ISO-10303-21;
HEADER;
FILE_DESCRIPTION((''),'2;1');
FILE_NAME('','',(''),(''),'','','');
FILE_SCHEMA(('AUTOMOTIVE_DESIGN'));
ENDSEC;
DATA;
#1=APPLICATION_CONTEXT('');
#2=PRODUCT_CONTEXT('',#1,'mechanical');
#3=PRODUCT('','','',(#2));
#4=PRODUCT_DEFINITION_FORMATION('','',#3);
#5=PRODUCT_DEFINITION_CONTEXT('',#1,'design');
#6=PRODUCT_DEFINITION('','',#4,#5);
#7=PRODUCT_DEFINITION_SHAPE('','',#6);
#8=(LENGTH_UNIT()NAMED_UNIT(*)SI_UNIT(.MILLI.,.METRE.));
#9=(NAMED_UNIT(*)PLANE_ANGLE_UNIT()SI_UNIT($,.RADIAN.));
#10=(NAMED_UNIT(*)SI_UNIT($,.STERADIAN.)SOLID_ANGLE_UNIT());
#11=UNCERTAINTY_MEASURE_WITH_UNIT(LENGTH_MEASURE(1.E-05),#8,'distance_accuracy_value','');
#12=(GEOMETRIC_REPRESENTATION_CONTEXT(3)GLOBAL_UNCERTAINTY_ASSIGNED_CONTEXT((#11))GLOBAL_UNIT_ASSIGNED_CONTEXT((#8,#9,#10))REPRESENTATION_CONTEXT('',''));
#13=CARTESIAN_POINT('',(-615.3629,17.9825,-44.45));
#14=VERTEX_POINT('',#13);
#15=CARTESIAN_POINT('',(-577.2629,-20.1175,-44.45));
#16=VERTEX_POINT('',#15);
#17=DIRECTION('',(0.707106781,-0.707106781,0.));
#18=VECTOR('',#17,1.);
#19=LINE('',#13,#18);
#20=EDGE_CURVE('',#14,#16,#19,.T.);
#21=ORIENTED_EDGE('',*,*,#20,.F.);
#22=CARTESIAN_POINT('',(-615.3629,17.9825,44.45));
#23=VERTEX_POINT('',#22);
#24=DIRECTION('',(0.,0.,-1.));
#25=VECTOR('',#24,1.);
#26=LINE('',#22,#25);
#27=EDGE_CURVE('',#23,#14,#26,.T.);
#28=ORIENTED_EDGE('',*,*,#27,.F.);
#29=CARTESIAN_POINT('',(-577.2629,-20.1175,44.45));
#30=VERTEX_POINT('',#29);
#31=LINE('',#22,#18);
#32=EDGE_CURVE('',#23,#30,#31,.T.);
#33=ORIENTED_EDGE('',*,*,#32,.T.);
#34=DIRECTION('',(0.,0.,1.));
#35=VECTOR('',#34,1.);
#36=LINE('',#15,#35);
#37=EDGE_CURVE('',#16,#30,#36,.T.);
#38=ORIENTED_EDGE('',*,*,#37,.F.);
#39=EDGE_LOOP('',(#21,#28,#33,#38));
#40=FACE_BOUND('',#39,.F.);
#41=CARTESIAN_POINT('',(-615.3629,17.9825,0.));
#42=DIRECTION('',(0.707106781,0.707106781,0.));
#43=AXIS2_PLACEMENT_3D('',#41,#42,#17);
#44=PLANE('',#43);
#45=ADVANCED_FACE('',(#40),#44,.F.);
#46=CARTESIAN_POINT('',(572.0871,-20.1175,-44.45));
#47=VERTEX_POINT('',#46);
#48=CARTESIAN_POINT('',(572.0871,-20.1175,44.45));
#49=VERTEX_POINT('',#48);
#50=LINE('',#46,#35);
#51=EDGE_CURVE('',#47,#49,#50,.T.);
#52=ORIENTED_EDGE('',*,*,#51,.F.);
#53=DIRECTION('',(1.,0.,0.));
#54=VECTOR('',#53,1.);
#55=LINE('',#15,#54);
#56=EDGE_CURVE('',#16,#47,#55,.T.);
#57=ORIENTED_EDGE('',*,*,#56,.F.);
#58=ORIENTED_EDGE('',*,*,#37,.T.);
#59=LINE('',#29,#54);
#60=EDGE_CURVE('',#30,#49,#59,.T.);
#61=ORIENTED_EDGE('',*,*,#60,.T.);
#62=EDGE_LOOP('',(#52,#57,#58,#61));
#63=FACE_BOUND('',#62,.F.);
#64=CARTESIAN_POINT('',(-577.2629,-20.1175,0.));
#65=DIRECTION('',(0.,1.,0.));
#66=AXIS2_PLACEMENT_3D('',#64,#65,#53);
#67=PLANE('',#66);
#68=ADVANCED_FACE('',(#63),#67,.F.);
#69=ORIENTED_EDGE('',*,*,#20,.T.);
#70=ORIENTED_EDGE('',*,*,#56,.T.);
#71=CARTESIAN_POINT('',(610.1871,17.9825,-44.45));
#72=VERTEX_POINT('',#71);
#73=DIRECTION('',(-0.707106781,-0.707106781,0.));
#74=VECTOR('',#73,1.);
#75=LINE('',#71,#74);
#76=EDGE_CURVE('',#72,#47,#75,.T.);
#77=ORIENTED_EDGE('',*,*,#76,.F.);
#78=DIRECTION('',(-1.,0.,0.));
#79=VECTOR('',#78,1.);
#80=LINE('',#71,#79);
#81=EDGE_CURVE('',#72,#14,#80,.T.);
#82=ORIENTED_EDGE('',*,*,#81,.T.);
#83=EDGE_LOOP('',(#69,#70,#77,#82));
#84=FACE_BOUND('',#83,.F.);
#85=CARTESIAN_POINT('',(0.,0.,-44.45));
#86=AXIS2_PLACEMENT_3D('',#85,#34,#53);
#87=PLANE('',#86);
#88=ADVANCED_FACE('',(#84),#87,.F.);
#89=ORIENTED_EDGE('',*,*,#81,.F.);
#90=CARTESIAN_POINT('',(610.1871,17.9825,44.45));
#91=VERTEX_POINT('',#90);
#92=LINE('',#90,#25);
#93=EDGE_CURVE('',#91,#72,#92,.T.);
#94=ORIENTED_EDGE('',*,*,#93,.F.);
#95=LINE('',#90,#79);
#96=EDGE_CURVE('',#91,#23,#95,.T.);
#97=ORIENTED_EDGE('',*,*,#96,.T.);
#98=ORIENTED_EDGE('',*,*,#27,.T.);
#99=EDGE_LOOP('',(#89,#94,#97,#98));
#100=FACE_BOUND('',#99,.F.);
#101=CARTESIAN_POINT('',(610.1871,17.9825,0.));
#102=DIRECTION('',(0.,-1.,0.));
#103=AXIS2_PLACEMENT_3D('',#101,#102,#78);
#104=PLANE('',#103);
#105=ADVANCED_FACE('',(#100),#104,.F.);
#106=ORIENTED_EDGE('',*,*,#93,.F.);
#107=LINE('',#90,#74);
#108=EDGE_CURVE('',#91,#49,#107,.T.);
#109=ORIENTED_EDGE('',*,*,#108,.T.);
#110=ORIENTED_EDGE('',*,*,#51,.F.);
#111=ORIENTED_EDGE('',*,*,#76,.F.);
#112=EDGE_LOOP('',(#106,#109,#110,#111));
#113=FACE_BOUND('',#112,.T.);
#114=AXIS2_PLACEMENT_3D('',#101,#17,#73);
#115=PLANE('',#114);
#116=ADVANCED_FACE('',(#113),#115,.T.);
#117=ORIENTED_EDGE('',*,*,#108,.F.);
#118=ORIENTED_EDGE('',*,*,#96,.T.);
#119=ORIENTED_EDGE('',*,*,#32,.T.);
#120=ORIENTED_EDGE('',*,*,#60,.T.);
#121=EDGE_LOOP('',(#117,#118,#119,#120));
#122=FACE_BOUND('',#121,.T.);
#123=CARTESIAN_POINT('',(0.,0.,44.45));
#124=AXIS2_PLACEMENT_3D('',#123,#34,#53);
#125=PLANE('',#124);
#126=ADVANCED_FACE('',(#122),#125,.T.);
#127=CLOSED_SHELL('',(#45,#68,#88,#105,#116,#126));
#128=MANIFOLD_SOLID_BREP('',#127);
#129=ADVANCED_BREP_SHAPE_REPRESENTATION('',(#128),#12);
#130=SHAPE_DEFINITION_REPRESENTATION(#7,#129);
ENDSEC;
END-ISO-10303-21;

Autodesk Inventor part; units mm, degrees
ref_plane "YZ Plane" through (0, 0, 0) normal (1, 0, 0) x (0, 1, 0)
ref_plane "XZ Plane" through (0, 0, 0) normal (0, 1, 0) x (-1, 0, 0)
ref_plane "XY Plane" through (0, 0, 0) normal (0, 0, 1) x (1, 0, 0)
sketch "Sketch2" plane through (0, 0, 0) normal (0, 0, 1) x (1, 0, 0)
  line L0 (-577.2629, -20.1175) -> (572.0871, -20.1175)
  line L1 (610.1871, 17.9825) -> (-615.3629, 17.9825)
  line L2 (-615.2407, -18.1315) -> (610.1871, 17.9825) construction
  line L3 (610.0737, -17.828) -> (-615.3629, 17.9825) construction
  line L4 (-615.3629, 17.9825) -> (-577.2629, -20.1175)
  line L5 (-615.3629, 17.9825) -> (-561.4814, 17.9825) construction
  line L6 (610.1871, 17.9825) -> (572.0871, -20.1175)
  line L7 (610.1871, 17.9825) -> (664.0686, 17.9825) construction
  point P0 (0, 0)
  dimension "d10" = 45
  dimension "d11" = 135
  dimension "d14" = 1225.55
  dimension "d15" = 38.1
extrude "Extrusion2" add sketch "Sketch2" along normal mid plane 88.9
properties part number "Right Panel Rear 45 Diagonal Piece" material "Wood (Birch)"
